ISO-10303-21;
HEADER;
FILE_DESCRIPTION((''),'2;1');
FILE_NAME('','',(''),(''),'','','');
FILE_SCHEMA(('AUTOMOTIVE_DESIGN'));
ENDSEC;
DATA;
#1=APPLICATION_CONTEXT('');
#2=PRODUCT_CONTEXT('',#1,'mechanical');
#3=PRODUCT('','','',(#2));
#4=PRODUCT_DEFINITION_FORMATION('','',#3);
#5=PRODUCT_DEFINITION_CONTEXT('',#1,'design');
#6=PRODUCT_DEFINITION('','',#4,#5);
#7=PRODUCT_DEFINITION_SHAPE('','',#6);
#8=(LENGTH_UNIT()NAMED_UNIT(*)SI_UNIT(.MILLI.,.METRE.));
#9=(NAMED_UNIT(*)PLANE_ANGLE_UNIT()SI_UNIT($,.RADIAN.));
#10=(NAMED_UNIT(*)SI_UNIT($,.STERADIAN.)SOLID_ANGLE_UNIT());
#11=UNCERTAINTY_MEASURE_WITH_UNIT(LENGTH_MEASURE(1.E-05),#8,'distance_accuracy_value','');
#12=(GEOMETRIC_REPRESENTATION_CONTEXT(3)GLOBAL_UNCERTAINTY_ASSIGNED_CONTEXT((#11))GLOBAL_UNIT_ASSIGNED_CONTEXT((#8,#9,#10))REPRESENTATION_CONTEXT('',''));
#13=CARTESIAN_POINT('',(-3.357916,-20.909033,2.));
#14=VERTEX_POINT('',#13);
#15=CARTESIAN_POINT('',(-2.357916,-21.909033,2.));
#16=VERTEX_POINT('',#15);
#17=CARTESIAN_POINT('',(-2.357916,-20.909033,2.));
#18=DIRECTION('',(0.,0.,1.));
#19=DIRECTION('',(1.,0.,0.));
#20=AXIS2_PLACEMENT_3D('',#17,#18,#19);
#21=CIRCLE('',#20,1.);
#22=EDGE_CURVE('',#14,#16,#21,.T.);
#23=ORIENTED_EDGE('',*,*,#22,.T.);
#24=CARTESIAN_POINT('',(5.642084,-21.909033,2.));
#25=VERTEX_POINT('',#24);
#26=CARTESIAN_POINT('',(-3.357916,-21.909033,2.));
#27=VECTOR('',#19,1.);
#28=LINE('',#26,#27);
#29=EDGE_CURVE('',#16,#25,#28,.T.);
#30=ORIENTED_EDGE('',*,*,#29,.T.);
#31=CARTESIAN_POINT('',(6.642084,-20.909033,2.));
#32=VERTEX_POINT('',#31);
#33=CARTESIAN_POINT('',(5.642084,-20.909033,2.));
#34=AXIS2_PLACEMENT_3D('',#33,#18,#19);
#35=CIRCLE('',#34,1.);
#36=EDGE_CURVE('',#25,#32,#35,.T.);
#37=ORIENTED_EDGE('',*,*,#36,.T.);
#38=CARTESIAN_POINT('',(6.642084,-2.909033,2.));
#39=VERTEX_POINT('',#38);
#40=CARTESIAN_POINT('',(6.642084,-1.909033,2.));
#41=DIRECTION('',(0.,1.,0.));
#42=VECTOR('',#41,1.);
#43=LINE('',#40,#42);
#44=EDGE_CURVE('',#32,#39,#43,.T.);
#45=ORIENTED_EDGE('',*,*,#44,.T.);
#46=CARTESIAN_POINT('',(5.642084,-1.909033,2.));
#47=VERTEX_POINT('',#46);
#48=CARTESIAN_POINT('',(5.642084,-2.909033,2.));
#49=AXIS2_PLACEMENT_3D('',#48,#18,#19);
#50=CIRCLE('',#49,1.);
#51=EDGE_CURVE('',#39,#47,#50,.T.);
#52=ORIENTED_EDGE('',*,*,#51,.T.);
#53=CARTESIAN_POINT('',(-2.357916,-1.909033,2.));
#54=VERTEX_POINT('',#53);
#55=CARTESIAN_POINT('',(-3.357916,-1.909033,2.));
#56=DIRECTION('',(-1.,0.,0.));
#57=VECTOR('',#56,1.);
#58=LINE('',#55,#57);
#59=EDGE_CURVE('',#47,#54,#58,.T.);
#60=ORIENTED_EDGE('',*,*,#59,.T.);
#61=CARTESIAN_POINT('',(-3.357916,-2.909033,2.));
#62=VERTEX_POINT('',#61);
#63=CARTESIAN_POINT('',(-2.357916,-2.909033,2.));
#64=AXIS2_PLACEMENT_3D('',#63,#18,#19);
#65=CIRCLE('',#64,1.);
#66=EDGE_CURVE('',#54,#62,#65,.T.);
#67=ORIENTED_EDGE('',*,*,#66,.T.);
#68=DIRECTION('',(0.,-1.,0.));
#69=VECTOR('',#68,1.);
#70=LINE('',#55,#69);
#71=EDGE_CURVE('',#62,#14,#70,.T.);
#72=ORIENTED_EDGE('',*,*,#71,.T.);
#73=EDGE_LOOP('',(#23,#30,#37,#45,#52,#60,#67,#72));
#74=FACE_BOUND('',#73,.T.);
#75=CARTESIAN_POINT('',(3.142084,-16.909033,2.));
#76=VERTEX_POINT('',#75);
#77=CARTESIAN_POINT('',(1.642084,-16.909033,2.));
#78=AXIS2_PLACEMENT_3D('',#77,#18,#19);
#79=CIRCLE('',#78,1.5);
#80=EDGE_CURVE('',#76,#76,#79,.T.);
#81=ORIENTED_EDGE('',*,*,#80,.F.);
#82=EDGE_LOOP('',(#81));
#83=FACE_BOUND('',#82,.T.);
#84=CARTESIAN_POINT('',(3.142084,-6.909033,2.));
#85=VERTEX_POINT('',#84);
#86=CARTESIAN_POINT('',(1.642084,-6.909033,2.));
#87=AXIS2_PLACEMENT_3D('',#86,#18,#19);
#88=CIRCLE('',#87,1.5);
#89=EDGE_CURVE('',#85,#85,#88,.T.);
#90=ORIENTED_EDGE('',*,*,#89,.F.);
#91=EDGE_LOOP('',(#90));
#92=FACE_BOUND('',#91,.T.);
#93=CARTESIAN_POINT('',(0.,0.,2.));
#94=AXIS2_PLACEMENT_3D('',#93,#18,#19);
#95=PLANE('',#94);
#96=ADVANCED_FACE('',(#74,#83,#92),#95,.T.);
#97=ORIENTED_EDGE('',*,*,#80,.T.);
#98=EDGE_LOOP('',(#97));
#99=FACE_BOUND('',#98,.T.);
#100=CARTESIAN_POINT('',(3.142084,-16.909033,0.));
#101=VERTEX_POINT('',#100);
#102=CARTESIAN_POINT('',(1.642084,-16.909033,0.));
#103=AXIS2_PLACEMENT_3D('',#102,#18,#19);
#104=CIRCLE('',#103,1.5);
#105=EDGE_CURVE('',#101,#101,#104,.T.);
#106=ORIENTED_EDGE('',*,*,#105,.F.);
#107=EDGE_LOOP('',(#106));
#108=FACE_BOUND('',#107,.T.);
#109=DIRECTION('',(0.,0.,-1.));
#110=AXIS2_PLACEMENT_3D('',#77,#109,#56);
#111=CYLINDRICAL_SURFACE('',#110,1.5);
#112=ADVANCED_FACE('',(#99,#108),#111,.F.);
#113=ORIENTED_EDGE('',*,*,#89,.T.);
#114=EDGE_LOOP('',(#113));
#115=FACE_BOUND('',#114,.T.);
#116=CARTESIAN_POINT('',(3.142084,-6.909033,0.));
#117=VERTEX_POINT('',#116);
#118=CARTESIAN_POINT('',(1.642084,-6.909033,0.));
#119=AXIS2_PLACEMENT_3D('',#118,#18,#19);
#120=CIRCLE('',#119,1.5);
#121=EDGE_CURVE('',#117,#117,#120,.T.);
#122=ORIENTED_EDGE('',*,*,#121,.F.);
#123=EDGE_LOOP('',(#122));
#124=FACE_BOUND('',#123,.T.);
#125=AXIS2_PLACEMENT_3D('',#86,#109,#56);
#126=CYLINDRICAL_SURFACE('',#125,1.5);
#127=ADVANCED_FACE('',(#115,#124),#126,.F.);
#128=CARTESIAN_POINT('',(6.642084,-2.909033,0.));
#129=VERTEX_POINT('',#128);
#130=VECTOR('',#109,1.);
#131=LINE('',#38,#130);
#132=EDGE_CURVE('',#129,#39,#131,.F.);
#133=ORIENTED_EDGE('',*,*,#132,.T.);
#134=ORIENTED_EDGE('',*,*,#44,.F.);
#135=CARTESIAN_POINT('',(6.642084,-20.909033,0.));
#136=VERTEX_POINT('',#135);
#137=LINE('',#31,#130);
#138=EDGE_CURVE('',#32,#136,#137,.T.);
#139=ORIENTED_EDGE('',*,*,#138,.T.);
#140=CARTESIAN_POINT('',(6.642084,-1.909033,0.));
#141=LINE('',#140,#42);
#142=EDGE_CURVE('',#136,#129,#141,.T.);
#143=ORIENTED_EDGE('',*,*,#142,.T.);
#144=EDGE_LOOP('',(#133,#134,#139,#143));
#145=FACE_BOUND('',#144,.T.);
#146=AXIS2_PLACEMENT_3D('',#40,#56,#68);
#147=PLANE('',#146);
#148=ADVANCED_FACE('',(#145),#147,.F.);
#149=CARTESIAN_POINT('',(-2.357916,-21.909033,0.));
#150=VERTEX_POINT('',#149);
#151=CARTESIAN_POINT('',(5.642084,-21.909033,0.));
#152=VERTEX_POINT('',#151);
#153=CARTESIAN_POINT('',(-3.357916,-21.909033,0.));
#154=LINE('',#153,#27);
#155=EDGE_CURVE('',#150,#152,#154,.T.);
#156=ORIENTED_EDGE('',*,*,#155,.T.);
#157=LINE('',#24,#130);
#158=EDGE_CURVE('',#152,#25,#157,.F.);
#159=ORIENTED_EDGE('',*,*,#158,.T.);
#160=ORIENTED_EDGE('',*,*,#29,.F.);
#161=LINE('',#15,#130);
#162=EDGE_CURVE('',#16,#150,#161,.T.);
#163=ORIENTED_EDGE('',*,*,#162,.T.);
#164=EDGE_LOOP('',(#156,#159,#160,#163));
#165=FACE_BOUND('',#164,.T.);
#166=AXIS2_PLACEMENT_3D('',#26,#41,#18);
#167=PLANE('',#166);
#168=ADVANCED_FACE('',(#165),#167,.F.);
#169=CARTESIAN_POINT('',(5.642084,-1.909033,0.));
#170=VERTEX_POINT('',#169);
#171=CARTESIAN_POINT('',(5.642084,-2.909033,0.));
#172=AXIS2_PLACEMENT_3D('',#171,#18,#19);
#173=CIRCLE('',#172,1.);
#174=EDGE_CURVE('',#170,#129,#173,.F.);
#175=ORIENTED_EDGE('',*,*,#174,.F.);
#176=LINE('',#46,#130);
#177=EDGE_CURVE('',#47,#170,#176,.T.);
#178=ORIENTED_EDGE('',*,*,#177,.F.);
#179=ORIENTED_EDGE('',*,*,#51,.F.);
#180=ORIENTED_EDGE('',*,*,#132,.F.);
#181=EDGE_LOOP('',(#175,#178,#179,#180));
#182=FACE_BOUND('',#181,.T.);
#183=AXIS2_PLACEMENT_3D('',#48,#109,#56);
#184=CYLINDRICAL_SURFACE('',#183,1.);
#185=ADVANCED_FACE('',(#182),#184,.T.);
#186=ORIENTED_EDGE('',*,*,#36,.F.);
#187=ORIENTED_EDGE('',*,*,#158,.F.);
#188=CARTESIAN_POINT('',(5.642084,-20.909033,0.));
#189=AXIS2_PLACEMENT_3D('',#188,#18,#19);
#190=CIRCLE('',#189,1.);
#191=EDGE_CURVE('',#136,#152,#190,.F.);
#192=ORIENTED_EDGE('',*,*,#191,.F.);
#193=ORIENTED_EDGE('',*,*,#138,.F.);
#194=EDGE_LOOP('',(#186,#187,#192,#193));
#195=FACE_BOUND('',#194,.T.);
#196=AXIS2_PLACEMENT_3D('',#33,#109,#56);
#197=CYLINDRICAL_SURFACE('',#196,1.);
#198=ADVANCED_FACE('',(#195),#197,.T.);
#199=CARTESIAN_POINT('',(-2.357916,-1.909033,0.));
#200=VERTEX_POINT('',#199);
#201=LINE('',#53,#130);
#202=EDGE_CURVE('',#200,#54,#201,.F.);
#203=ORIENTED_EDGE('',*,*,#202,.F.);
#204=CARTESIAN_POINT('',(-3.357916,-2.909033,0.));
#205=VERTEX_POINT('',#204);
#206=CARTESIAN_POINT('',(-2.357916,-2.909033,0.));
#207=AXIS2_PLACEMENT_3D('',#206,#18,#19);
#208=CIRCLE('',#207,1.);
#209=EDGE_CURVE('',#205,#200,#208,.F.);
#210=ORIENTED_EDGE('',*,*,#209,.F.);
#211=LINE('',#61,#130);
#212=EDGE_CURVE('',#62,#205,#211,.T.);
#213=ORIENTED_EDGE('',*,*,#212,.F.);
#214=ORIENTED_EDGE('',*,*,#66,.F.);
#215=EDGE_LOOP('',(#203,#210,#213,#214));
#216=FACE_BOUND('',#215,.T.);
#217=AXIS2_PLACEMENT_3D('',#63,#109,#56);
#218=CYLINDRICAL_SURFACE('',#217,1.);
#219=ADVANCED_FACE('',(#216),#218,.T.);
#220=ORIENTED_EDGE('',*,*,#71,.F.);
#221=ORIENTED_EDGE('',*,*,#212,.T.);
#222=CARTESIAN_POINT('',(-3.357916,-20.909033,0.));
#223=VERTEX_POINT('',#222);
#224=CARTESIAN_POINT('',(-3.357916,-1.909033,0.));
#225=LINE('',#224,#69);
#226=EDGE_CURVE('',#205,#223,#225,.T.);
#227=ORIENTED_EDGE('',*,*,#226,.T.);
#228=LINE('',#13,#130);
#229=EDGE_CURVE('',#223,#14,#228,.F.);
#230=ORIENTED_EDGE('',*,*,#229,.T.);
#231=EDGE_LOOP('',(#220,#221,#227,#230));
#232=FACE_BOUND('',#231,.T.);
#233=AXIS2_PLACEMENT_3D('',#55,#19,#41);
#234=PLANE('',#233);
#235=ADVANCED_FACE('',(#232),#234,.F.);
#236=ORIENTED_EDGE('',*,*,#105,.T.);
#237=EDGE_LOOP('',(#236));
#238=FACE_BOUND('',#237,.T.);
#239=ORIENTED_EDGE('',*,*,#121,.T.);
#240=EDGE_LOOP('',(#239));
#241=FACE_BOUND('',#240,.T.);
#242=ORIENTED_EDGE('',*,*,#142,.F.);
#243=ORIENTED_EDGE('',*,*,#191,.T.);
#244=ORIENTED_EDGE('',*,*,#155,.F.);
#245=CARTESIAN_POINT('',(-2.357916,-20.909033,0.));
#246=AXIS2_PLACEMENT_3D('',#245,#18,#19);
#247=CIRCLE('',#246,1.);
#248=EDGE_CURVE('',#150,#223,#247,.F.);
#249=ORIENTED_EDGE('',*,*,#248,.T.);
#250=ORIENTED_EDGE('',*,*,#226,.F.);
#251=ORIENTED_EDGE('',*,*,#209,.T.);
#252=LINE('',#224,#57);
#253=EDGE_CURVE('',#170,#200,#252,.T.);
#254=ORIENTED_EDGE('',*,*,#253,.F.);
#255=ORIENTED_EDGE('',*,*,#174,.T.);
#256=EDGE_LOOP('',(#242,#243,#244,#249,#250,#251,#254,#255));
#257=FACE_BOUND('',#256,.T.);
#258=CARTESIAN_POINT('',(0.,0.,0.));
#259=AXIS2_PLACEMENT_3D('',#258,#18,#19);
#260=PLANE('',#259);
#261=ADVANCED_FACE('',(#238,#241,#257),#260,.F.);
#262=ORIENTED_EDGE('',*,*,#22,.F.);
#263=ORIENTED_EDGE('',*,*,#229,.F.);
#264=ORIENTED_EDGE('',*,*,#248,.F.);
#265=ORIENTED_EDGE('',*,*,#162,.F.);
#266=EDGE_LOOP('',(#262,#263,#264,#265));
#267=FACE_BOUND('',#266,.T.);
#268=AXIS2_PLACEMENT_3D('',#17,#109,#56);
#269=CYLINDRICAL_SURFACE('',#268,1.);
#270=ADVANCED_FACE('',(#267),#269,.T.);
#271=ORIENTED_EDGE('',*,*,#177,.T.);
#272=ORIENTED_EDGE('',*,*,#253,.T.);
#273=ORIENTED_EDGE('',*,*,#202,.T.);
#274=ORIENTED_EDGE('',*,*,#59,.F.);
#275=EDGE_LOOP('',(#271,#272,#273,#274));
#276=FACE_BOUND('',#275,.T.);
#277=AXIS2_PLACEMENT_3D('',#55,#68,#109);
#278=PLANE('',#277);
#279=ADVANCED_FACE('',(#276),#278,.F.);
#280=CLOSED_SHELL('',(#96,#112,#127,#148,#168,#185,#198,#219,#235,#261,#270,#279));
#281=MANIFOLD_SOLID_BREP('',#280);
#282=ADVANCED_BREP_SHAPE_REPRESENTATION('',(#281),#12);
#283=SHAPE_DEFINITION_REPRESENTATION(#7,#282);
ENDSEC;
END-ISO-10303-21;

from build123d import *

# Parameters (mm, degrees)
SKETCH_1_W      = 10
SKETCH_1_H      = 20
SKETCH_1_R      = 1.5
EXTRUDE_1_DEPTH = 2
FILLET_1_R      = 1


with BuildPart() as part:
    # 草图1 → 凸台-拉伸1 (new body)
    with BuildSketch(Plane.XY):
        with Locations((1.642083631, -11.90903272)):
            Rectangle(SKETCH_1_W, SKETCH_1_H)
        with Locations((1.642083631, -6.90903272)):
            Circle(SKETCH_1_R, mode=Mode.SUBTRACT)
        with Locations((1.642083631, -16.90903272)):
            Circle(SKETCH_1_R, mode=Mode.SUBTRACT)
    extrude(amount=EXTRUDE_1_DEPTH)

    # 圆角1
    fillet_1_edges = [part.edges().sort_by_distance(p)[0] for p in [
        (-3.357916369, -1.90903272, 1),
        (6.642083631, -1.90903272, 1),
        (6.642083631, -21.90903272, 1),
        (-3.357916369, -21.90903272, 1),
    ]]
    fillet(fillet_1_edges, radius=FILLET_1_R)


solid = part.part
